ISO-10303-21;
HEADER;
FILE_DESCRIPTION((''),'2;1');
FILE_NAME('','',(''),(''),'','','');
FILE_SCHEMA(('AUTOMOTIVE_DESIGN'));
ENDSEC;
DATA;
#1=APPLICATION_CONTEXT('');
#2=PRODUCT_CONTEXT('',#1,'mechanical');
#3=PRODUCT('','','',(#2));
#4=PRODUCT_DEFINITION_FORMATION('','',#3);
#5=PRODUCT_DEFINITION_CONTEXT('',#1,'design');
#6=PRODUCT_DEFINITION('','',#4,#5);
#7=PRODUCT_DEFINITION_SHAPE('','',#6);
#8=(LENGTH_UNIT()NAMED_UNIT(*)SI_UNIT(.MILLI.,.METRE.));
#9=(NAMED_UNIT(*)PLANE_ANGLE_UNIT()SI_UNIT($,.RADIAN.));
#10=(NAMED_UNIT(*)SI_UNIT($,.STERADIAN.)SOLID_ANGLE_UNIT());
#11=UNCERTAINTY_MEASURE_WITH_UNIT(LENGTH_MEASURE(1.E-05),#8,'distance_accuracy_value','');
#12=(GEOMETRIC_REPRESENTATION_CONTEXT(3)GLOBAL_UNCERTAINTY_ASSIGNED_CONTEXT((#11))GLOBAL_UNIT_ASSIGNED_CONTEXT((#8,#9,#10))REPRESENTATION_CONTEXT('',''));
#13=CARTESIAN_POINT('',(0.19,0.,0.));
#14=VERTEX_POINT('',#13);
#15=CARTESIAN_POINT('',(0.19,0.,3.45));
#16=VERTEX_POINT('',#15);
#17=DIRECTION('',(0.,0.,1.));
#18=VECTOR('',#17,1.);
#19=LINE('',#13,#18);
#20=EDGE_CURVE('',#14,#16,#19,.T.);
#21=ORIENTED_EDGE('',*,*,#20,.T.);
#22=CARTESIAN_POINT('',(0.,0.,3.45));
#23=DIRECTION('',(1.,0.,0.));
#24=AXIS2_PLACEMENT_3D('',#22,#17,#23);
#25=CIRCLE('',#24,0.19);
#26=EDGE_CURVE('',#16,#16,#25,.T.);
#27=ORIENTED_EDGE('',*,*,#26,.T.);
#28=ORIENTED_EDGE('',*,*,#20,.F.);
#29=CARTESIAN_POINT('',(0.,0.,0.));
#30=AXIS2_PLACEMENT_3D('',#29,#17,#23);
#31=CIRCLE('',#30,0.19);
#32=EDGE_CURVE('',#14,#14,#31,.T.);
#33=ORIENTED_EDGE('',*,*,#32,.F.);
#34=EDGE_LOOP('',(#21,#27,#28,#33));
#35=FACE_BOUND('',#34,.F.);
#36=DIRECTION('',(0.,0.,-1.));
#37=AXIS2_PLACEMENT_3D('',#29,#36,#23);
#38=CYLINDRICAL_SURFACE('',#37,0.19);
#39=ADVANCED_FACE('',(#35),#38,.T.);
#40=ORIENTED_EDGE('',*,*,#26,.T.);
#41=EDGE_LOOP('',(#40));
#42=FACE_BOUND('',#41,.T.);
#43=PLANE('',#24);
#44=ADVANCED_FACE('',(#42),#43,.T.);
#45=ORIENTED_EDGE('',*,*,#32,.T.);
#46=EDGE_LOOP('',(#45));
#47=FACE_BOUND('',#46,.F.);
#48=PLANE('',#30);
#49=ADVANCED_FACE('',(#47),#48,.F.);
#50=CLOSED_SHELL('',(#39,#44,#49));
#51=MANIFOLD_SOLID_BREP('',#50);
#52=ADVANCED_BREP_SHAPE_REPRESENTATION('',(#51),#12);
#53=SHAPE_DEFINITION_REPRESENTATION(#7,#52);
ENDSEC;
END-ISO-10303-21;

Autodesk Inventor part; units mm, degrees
ref_plane "YZ Plane" through (0, 0, 0) normal (1, 0, 0) x (0, 1, 0)
ref_plane "XZ Plane" through (0, 0, 0) normal (0, 1, 0) x (-1, 0, 0)
ref_plane "XY Plane" through (0, 0, 0) normal (0, 0, 1) x (1, 0, 0)
sketch "Sketch1" plane through (0, 0, 0) normal (0, 0, 1) x (1, 0, 0)
  circle A0 centre (0, 0) radius 0.19
  dimension "d0" = 0.38
extrude "Extrusion1" add sketch "Sketch1" along normal blind 3.45
equation "\"d0\" = dFlexure"
equation "\"d1\" = offset_fl_adj"
equation "\"baseInitD\" = 4"
equation "\"baseTh0\" = 48.463041deg"
equation "\"baseTh1\" = 23.073918deg"
equation "\"topD\" = 14"
equation "\"topInitD\" = 4"
equation "\"topTh0\" = 16.60155deg"
equation "\"topTh1\" = 86.796901deg"
equation "\"lFlexure\" = 1.5"
equation "\"dFlexure\" = 0.38"
equation "\"springBaseD\" = 8"
equation "\"springTopD\" = 8"
equation "\"dMotor\" = 1.44"
equation "\"springInitL\" = 12.7"
equation "\"lMotor\" = 22.35"
equation "\"topH\" = 21.66629"
equation "\"springL\" = 30.86629"
equation "\"springLset\" = 3.5"
equation "\"springDeform\" = 18.16629"
equation "\"springUnderCut\" = 9.2"
equation "\"spirngLO\" = 31.67176"
equation "\"springLO\" = 33.86629"
equation "\"lFlexureOffset\" = 1.95"
equation "\"dM1X\" = 6.73587"
equation "\"dM2X\" = -1.34133"
equation "\"dM1Y\" = 2.34012"
equation "\"dM2Y\" = 7.00349"
equation "\"dM1Xt\" = 6.59227"
equation "\"dM1Yt\" = -0.43704"
equation "\"dM2Yt\" = 5.49055"
equation "\"dM2Xt\" = -3.67462"
equation "\"GuideRod\" = 2"
equation "\"baseOD\" = 23"
equation "\"GuideTubingID\" = 2"
equation "\"CSpringCD\" = 0.254"
equation "\"CSpringOD\" = 5.537"
equation "\"GuideTubingOD\" = 4"
equation "\"CSpringID\" = 5.029"
equation "\"offset_fl_adj\" = lFlexure + lFlexureOffset"
equation "\"OCToffset\" = 14.38"
equation "\"lOCTprobe\" = 75"
equation "\"lOCT\" = 58"
equation "\"lOCTprobeNorm\" = 72.38"
equation "\"lOCTprobeNom\" = 72.38"
properties part number "MU_Prolene_Offset" material "PP"
